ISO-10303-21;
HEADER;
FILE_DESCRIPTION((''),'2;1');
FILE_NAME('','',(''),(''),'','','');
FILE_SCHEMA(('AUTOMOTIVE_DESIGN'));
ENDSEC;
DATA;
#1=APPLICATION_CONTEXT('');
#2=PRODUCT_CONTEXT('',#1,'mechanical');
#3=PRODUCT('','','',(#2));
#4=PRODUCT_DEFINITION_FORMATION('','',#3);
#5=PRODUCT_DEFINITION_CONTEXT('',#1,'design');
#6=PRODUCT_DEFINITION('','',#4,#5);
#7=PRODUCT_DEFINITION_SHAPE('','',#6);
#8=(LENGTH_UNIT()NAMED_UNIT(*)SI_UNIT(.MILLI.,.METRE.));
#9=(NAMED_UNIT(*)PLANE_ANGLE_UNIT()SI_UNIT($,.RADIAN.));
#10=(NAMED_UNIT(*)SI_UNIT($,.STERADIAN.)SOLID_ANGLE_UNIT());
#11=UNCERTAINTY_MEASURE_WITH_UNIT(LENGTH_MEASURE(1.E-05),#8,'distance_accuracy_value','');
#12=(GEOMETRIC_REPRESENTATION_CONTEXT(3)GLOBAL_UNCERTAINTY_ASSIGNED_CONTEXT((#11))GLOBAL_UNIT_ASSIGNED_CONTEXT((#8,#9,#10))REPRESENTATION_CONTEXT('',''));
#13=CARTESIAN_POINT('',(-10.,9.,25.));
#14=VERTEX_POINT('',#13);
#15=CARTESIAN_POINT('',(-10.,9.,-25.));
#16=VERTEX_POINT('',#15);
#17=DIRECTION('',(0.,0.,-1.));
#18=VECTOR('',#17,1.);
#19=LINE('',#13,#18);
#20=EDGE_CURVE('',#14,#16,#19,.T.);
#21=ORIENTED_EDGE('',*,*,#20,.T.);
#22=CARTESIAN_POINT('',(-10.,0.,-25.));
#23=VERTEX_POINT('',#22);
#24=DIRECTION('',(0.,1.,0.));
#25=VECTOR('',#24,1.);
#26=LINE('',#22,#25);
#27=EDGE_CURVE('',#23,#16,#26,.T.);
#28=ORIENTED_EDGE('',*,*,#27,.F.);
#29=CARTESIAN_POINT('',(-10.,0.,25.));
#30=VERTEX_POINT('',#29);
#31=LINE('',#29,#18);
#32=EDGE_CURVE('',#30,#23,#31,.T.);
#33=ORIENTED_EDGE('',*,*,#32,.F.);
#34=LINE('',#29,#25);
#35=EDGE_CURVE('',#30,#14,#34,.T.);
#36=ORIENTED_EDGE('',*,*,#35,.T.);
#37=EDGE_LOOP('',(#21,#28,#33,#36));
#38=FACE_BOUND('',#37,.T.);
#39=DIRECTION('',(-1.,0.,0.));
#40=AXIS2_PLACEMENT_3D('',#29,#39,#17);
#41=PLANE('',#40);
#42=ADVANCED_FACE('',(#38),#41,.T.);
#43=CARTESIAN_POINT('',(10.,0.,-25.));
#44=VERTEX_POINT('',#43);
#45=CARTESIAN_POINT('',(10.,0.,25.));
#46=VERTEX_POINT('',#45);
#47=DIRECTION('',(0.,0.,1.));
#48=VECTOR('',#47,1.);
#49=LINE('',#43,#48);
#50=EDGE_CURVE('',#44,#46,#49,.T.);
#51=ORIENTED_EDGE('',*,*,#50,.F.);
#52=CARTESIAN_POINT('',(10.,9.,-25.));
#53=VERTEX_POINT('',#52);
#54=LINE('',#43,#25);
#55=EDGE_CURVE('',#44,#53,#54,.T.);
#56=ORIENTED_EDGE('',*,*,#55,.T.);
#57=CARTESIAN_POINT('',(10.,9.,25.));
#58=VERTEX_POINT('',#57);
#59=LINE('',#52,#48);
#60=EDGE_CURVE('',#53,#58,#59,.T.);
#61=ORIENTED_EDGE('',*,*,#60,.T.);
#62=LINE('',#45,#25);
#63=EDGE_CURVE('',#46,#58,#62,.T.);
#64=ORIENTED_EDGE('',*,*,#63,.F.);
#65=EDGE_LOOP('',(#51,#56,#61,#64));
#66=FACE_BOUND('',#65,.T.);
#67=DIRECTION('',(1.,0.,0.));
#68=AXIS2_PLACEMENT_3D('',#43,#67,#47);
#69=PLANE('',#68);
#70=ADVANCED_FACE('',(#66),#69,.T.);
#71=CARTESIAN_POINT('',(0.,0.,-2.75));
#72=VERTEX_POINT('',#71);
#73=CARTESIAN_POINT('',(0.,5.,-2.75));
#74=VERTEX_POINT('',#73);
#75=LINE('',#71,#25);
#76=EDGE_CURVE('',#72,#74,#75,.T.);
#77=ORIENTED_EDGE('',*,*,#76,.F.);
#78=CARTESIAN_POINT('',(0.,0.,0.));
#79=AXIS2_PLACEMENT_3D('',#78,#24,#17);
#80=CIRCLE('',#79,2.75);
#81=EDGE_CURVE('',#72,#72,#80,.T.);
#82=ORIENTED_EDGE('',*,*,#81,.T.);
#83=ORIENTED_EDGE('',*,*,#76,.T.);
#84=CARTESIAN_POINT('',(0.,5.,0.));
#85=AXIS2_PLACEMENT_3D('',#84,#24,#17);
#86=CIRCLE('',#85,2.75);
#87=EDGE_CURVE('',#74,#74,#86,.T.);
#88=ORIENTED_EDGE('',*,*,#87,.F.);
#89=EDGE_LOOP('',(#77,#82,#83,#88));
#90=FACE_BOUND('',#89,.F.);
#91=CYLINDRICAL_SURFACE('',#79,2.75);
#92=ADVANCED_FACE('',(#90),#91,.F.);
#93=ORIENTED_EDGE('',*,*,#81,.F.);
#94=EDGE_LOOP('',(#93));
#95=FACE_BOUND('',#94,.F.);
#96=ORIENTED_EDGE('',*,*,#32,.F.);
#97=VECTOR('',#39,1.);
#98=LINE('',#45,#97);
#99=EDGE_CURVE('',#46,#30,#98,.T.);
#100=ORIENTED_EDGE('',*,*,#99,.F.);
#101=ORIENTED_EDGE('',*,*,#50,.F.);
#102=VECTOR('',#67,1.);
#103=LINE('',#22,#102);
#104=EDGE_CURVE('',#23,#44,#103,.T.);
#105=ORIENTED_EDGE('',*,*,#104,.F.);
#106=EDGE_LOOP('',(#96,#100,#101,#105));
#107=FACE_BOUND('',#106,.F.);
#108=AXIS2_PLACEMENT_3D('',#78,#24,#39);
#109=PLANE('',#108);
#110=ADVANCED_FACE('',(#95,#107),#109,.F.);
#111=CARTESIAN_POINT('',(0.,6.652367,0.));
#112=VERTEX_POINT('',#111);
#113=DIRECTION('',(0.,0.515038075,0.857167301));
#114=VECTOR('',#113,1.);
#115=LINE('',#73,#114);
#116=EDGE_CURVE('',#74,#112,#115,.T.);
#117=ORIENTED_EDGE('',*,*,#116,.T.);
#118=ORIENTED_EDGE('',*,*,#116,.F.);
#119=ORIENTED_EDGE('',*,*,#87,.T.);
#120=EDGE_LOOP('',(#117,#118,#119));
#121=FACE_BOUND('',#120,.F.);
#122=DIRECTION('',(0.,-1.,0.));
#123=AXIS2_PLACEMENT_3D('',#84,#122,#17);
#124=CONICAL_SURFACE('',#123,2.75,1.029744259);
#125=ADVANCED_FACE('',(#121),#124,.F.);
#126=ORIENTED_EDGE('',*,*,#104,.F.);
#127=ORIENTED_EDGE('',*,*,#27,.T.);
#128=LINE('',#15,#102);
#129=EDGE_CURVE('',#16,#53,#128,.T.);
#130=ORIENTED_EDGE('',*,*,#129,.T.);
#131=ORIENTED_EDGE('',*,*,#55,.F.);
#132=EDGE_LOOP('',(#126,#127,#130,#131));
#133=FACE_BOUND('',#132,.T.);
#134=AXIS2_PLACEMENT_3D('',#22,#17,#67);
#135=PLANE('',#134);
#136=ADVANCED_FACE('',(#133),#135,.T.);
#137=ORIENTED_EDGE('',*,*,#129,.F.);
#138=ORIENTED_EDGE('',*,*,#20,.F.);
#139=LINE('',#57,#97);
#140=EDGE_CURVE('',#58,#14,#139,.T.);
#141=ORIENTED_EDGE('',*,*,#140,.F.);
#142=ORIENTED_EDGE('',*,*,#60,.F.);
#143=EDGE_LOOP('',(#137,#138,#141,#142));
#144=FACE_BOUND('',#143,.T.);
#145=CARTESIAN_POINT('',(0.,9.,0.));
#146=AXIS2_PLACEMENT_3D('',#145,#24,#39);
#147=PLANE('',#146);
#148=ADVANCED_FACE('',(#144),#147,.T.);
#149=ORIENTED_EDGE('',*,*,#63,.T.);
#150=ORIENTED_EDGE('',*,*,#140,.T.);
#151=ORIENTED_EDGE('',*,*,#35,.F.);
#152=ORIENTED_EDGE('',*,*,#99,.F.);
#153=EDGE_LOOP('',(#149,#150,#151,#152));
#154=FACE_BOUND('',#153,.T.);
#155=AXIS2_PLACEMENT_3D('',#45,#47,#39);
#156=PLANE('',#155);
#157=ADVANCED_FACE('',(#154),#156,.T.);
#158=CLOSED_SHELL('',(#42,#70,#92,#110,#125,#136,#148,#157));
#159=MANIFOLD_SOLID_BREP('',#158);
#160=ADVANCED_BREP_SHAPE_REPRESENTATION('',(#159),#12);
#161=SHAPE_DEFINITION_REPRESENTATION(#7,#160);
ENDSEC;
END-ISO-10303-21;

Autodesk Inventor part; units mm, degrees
ref_plane "YZ Plane" through (0, 0, 0) normal (1, 0, 0) x (0, 1, 0)
ref_plane "XZ Plane" through (0, 0, 0) normal (0, 1, 0) x (-1, 0, 0)
ref_plane "XY Plane" through (0, 0, 0) normal (0, 0, 1) x (1, 0, 0)
sketch "Sketch1" plane through (0, 0, 0) normal (0, 1, 0) x (-1, 0, 0)
  line L0 (-10, 25) -> (10, 25)
  line L1 (10, 25) -> (10, -25)
  line L2 (10, -25) -> (-10, -25)
  line L3 (-10, -25) -> (-10, 25)
  line L4 (-10, 25) -> (10, -25) construction
  line L5 (10, 25) -> (-10, -25) construction
  point P0 (0, 0)
  dimension "d2" = 50
  dimension "d3" = 20
extrude "Extrusion1" add sketch "Sketch1" along normal blind 9
sketch "Sketch2" plane through (0, 0, 0) normal (0, -1, 0) x (1, 0, 0)
  point P0 (0, 0)
hole "Hole1" at (0, 0, 0) direction (0, 1, 0) diameter 5.5 depth 5 tip angle 118 clearance for "Countersunk Flat Head Screw ISO 2009/7046" size "M5" standard "ISO"
properties part number "SP44V1 Tope Hierro"
